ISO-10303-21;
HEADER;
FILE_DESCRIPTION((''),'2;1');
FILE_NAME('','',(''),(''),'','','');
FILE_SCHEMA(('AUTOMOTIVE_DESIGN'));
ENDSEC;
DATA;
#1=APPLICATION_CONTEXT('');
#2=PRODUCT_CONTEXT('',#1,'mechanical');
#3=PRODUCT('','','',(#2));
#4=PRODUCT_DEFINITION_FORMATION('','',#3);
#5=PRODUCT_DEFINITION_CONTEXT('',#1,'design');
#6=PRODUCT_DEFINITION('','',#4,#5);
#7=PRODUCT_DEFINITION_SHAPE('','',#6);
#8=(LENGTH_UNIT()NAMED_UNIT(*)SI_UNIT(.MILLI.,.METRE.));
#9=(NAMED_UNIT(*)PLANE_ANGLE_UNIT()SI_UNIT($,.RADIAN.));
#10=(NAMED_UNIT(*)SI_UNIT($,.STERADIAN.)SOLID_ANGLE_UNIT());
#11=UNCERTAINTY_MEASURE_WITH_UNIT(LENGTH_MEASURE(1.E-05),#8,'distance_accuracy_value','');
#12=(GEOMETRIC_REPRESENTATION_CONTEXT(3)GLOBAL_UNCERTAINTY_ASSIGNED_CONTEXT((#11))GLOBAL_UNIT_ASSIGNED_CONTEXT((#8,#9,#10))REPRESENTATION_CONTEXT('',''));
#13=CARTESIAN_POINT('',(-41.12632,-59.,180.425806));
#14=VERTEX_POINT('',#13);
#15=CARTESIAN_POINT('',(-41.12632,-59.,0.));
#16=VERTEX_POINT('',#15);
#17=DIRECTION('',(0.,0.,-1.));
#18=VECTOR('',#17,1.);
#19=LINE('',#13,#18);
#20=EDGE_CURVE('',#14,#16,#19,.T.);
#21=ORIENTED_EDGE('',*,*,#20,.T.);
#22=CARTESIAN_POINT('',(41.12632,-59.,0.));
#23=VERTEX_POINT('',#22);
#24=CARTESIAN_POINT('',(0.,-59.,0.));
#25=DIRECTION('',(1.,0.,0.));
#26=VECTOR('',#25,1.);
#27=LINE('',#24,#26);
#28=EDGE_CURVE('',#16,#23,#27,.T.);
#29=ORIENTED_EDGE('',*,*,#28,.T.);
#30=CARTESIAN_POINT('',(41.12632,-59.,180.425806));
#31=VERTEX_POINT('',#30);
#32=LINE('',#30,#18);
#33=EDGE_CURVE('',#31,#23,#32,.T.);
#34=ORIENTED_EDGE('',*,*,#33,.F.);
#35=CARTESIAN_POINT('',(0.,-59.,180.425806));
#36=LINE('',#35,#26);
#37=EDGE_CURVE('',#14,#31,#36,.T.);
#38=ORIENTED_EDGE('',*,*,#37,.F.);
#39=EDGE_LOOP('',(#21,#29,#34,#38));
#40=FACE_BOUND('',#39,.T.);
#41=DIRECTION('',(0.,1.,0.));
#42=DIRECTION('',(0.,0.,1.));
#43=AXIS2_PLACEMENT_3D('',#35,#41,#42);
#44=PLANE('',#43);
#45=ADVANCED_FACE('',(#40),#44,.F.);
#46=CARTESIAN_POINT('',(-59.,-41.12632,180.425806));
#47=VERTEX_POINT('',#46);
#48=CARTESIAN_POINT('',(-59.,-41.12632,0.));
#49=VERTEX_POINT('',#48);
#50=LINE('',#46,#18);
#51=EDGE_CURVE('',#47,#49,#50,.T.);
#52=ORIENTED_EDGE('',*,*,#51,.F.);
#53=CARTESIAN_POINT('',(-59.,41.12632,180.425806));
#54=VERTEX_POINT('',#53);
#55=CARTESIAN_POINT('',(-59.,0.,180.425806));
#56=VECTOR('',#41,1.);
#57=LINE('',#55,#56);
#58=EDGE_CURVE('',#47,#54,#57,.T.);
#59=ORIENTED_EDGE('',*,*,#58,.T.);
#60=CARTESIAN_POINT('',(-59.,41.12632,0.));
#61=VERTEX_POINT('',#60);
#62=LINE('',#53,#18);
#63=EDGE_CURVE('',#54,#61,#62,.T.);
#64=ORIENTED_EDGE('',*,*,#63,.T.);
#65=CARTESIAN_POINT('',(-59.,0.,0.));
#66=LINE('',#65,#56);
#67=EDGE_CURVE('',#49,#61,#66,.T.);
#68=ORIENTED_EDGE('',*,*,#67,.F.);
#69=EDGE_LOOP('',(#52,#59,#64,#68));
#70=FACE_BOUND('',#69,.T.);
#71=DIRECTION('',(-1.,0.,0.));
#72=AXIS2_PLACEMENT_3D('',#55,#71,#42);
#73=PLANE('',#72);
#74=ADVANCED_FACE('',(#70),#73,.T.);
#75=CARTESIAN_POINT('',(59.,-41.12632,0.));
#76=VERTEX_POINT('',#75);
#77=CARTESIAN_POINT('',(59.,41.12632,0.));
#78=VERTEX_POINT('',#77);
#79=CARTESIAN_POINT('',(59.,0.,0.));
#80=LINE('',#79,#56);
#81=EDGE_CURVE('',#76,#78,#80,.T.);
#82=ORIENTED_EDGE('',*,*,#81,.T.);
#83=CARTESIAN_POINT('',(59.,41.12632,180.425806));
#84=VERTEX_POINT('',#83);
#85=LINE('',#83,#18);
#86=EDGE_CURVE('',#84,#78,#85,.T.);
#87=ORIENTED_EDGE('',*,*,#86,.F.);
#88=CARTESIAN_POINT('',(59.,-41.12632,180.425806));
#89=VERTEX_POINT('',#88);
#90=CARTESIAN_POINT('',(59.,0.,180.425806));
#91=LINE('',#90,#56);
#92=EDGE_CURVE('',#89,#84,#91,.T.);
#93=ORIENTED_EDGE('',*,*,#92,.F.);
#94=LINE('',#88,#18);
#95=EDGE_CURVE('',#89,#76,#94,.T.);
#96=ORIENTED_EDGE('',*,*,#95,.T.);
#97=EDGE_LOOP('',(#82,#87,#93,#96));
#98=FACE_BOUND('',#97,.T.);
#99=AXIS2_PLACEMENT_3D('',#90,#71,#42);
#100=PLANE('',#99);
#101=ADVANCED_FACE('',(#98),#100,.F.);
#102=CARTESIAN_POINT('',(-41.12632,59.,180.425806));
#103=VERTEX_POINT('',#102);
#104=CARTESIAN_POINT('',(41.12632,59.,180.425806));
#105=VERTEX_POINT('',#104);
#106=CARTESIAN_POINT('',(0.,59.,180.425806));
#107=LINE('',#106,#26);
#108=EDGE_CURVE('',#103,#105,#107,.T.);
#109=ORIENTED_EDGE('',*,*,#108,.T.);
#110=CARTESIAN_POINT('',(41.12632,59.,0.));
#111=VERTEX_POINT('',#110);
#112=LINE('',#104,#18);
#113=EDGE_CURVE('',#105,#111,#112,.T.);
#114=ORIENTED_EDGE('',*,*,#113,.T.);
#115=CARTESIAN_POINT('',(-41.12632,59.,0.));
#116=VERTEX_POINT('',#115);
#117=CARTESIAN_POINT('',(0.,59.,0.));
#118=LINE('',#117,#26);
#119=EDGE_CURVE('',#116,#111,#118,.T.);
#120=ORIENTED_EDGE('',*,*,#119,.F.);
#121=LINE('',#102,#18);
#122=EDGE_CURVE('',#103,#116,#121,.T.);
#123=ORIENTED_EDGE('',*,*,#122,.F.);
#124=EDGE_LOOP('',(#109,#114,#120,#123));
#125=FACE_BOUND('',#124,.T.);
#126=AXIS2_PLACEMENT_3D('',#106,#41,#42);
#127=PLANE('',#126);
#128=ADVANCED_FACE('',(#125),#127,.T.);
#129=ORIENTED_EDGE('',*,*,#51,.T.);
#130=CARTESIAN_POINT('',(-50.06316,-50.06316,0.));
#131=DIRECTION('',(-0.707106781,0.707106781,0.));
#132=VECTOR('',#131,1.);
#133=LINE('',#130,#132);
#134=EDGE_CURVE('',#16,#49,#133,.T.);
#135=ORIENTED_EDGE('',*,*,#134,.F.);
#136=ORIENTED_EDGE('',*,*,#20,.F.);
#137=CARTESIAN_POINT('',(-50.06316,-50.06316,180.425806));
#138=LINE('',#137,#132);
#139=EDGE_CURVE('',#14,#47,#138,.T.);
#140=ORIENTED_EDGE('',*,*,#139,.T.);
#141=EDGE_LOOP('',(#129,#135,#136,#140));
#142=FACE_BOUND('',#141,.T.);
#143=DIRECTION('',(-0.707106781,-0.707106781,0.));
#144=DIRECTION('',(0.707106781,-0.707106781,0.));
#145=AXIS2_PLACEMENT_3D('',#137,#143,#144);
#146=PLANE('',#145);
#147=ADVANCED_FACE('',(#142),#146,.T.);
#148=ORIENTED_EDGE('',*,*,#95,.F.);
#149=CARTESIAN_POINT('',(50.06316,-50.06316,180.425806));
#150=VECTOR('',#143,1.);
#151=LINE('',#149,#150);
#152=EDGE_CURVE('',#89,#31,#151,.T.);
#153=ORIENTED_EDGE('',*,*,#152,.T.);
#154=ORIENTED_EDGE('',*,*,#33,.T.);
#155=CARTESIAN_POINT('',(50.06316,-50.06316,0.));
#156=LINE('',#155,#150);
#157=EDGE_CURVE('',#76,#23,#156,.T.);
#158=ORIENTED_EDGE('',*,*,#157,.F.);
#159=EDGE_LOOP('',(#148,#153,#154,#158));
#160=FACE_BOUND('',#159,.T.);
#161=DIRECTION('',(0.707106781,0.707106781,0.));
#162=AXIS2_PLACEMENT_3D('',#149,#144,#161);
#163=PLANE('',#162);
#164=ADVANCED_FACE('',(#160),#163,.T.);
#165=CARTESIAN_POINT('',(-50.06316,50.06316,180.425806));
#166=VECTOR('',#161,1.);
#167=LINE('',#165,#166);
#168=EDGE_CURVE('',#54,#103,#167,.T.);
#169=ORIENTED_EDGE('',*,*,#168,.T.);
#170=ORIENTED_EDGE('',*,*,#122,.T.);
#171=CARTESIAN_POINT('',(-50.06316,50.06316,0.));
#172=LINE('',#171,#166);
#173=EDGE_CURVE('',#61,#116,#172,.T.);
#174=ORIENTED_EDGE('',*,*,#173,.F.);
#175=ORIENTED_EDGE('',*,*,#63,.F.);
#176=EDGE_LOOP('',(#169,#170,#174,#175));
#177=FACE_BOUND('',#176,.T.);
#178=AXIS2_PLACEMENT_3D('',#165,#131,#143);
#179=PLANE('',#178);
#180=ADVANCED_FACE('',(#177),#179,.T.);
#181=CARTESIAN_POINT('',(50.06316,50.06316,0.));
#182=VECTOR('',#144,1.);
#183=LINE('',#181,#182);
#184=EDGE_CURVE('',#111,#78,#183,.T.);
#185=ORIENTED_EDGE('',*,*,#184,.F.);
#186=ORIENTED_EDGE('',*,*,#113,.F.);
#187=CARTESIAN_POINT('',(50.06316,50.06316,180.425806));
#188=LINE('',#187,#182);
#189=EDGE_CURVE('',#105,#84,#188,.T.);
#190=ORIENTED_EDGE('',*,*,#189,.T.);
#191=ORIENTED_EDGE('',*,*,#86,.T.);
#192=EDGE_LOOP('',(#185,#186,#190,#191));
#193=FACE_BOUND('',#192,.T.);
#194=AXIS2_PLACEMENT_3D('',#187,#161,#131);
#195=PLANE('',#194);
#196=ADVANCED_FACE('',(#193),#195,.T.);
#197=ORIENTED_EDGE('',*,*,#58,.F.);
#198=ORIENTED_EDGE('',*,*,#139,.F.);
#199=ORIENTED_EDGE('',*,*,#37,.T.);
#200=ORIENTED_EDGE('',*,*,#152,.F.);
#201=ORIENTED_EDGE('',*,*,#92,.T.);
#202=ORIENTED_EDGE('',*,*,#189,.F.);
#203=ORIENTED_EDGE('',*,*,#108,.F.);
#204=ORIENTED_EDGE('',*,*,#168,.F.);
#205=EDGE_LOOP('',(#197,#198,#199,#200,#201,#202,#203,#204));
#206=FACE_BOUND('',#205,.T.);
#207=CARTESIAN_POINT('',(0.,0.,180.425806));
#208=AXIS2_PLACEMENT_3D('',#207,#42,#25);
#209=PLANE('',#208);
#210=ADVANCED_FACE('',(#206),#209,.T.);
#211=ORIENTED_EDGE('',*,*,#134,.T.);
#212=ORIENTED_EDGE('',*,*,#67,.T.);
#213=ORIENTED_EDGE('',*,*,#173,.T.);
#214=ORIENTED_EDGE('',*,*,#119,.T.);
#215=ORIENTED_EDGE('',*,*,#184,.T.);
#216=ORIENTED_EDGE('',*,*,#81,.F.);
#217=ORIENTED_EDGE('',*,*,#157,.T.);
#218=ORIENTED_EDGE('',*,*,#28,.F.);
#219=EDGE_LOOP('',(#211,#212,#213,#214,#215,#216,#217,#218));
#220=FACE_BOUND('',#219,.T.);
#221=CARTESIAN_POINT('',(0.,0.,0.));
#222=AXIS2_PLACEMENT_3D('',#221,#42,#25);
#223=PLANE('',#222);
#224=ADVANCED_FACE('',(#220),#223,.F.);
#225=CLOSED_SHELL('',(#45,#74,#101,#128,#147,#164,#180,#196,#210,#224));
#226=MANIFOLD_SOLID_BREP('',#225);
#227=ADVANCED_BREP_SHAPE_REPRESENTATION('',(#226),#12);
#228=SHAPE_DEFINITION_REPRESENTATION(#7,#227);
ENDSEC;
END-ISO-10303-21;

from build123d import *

# Parameters (mm, degrees)
EXTRUDE_2_DEPTH = 237
SCALE_1_SCALE   = 0.761290323


with BuildPart() as part:
    # 草图3 → 凸台-拉伸2 (new body)
    with BuildSketch(Plane.XY):
        Polygon((-77.5, -54.021861301), (-54.021861301, -77.5), (54.021861301, -77.5), (77.5, -54.021861301), (77.5, 54.021861301), (54.021861301, 77.5), (-54.021861301, 77.5), (-77.5, 54.021861301), align=None)
    extrude(amount=EXTRUDE_2_DEPTH)


with BuildPart() as part_1:
    # 缩放比例1: scaled about (0, 0, 0)
    add(part.part.scale(SCALE_1_SCALE))


solid = part_1.part
